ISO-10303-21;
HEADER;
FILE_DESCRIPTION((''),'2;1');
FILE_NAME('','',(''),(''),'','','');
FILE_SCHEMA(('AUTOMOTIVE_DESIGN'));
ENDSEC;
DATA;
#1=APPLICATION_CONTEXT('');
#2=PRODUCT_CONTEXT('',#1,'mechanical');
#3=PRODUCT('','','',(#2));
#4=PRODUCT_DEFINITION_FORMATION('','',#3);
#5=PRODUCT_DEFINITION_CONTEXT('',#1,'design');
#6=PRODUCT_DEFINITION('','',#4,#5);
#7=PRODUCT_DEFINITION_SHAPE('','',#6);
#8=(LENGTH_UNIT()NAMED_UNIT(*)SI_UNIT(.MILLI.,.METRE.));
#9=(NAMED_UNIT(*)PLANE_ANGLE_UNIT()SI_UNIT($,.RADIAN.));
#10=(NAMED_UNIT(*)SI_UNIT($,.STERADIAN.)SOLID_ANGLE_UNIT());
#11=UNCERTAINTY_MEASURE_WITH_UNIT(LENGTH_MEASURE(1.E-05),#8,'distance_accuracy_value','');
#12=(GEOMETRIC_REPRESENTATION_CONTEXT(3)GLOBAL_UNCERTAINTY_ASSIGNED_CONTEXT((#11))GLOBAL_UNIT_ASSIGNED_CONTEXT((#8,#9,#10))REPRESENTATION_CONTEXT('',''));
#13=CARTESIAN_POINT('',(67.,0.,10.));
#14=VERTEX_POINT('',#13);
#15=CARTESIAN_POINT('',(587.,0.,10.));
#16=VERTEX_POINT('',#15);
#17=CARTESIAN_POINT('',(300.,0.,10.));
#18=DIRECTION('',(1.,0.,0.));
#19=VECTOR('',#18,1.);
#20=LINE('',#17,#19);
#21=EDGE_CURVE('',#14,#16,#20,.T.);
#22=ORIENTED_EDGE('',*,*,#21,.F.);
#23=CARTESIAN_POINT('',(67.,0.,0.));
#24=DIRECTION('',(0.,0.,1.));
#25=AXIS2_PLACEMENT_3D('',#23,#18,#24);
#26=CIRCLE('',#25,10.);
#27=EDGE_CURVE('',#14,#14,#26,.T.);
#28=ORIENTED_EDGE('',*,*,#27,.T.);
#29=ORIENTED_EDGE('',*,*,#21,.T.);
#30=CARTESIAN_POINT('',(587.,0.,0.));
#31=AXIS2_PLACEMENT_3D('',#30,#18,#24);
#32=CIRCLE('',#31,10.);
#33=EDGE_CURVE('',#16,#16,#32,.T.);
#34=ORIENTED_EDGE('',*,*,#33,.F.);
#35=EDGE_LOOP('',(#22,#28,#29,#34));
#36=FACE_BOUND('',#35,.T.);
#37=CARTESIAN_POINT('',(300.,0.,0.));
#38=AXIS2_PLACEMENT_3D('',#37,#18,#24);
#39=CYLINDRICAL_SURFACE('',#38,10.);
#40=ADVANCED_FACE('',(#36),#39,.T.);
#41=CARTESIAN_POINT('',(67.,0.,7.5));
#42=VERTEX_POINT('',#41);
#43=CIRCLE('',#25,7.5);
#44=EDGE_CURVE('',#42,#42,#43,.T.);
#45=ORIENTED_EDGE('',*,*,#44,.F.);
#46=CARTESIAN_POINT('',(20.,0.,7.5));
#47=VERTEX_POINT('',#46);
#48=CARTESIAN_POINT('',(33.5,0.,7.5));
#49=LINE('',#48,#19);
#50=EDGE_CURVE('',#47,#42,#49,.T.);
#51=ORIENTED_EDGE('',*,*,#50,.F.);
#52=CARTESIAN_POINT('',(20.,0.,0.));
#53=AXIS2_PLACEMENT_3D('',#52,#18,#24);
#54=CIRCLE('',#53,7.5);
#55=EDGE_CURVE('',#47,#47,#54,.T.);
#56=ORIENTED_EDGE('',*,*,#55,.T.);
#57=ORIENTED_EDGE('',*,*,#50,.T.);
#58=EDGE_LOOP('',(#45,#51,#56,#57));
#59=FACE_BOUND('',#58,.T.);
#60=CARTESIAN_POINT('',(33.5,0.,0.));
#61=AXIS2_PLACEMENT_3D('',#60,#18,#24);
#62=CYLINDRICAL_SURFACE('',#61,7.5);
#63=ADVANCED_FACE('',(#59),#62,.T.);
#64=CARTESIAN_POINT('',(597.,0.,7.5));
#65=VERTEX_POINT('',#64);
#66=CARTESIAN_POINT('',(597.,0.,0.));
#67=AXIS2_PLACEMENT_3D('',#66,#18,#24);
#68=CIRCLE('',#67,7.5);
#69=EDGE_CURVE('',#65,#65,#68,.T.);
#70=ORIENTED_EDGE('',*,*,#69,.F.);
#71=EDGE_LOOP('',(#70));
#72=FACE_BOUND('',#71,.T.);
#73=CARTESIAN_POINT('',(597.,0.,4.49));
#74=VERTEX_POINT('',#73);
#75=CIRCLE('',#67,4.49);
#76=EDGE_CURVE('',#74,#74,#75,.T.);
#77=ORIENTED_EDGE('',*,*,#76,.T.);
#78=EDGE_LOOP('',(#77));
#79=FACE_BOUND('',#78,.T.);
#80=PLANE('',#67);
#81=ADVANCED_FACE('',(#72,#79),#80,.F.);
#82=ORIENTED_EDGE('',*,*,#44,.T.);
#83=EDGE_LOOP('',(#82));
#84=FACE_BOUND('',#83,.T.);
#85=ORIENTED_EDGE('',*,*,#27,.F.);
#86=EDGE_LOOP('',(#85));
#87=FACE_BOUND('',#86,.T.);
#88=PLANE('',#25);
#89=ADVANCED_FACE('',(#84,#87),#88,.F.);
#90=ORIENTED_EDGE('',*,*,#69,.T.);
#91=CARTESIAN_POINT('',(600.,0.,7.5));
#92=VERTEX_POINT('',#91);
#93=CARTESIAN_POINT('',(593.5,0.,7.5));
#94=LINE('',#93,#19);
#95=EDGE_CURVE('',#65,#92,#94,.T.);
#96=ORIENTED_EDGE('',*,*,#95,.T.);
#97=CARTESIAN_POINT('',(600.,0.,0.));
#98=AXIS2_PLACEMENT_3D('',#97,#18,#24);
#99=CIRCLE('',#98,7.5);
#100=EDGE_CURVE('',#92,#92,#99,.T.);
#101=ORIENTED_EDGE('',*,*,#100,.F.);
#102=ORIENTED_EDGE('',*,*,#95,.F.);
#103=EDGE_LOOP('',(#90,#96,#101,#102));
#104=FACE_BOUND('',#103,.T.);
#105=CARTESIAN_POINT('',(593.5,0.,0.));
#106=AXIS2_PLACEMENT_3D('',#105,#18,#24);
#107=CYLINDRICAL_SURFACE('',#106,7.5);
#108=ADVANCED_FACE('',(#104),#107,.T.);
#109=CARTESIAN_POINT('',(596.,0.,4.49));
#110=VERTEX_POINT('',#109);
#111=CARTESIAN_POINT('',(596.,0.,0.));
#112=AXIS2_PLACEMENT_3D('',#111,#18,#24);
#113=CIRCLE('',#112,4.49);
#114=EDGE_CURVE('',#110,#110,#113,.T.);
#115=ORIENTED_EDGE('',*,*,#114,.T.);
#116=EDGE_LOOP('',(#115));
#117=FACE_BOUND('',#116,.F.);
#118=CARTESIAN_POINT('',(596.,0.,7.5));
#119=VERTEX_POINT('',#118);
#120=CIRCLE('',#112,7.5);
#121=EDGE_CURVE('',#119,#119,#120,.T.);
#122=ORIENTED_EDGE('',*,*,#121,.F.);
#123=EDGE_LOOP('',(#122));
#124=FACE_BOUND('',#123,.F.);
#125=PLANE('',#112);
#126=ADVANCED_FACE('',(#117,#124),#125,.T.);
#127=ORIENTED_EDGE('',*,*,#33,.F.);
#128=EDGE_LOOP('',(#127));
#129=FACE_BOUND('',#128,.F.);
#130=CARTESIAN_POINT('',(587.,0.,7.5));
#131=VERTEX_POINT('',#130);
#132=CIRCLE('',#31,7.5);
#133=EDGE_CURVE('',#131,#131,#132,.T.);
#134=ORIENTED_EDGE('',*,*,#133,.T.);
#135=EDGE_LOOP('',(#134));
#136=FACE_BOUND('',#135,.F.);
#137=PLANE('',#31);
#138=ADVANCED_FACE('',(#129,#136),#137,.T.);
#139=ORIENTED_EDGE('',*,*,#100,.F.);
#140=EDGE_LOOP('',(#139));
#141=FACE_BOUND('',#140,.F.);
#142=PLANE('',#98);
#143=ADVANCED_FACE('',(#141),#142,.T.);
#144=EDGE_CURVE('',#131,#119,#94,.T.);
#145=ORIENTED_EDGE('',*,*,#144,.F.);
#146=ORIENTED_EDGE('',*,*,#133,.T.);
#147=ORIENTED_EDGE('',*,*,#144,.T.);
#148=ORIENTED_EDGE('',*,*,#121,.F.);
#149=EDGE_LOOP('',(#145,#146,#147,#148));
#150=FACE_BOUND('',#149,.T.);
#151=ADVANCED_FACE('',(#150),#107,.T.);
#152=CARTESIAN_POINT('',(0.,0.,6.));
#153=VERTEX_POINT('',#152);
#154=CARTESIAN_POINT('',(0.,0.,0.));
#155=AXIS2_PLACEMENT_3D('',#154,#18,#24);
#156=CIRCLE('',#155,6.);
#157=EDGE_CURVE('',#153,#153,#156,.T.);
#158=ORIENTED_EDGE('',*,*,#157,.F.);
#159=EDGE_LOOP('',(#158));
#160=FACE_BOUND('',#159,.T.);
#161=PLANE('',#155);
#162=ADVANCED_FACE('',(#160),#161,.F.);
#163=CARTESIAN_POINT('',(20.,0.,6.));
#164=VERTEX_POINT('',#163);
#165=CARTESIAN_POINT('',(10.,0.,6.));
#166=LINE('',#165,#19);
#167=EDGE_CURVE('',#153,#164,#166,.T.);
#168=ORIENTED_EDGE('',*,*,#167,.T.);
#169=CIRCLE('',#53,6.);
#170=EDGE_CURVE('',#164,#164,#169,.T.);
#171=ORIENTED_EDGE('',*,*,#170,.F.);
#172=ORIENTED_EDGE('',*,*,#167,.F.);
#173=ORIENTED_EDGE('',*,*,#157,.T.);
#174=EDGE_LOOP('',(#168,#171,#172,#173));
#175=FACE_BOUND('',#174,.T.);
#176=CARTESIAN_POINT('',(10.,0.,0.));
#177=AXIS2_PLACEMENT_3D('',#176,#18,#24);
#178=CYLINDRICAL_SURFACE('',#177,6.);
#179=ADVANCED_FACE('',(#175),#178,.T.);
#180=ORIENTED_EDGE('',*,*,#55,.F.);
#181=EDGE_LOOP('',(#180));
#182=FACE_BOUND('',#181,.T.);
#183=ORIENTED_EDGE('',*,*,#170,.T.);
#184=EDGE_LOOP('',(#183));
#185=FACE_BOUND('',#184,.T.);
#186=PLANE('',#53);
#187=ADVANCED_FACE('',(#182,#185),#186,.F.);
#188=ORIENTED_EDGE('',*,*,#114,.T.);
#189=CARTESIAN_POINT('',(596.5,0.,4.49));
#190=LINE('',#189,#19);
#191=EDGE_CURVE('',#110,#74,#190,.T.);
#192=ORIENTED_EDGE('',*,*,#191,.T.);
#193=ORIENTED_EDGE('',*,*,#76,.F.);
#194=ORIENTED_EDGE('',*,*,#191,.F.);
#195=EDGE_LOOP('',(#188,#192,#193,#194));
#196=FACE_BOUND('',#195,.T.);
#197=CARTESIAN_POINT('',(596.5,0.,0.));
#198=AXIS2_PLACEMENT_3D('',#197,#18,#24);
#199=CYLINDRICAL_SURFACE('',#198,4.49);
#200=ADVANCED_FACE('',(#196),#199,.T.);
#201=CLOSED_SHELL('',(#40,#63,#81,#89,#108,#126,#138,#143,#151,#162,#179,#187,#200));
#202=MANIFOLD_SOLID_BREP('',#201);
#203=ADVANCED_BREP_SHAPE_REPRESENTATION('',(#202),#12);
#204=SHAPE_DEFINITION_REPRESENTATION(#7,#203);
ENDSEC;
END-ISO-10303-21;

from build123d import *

# Parameters (mm, degrees)
SKETCH_W      = 600
SKETCH_H      = 10
SKETCH001_W   = 67
SKETCH001_H   = 2.5
SKETCH002_W   = 20
SKETCH002_H   = 1.5
SKETCH003_W   = 13
SKETCH003_H   = 2.5
SKETCH003_W_2 = 1
SKETCH003_H_2 = 3.01


with BuildPart() as part:
    # Sketch → Revolution (revolve)
    with BuildSketch(Plane.XZ):
        with Locations((300, 5)):
            Rectangle(SKETCH_W, SKETCH_H)
    revolve(axis=Axis((0, 0, 0), (1, 0, 0)))

    # Sketch001 → Groove (revolve, cut)
    with BuildSketch(Plane.XZ):
        with Locations((33.5, 8.75)):
            Rectangle(SKETCH001_W, SKETCH001_H)
    revolve(axis=Axis((0, 0, 0), (1, 0, 0)), mode=Mode.SUBTRACT)

    # Sketch002 → Groove001 (revolve, cut)
    with BuildSketch(Plane.XZ):
        with Locations((10, 6.75)):
            Rectangle(SKETCH002_W, SKETCH002_H)
    revolve(axis=Axis((0, 0, 0), (1, 0, 0)), mode=Mode.SUBTRACT)

    # Sketch003 → Groove002 (revolve, cut)
    with BuildSketch(Plane.XZ):
        with Locations((593.5, 8.75)):
            Rectangle(SKETCH003_W, SKETCH003_H)
        with Locations((596.5, 5.995)):
            Rectangle(SKETCH003_W_2, SKETCH003_H_2)
    revolve(axis=Axis((0, 0, 0), (1, 0, 0)), mode=Mode.SUBTRACT)


solid = part.part
